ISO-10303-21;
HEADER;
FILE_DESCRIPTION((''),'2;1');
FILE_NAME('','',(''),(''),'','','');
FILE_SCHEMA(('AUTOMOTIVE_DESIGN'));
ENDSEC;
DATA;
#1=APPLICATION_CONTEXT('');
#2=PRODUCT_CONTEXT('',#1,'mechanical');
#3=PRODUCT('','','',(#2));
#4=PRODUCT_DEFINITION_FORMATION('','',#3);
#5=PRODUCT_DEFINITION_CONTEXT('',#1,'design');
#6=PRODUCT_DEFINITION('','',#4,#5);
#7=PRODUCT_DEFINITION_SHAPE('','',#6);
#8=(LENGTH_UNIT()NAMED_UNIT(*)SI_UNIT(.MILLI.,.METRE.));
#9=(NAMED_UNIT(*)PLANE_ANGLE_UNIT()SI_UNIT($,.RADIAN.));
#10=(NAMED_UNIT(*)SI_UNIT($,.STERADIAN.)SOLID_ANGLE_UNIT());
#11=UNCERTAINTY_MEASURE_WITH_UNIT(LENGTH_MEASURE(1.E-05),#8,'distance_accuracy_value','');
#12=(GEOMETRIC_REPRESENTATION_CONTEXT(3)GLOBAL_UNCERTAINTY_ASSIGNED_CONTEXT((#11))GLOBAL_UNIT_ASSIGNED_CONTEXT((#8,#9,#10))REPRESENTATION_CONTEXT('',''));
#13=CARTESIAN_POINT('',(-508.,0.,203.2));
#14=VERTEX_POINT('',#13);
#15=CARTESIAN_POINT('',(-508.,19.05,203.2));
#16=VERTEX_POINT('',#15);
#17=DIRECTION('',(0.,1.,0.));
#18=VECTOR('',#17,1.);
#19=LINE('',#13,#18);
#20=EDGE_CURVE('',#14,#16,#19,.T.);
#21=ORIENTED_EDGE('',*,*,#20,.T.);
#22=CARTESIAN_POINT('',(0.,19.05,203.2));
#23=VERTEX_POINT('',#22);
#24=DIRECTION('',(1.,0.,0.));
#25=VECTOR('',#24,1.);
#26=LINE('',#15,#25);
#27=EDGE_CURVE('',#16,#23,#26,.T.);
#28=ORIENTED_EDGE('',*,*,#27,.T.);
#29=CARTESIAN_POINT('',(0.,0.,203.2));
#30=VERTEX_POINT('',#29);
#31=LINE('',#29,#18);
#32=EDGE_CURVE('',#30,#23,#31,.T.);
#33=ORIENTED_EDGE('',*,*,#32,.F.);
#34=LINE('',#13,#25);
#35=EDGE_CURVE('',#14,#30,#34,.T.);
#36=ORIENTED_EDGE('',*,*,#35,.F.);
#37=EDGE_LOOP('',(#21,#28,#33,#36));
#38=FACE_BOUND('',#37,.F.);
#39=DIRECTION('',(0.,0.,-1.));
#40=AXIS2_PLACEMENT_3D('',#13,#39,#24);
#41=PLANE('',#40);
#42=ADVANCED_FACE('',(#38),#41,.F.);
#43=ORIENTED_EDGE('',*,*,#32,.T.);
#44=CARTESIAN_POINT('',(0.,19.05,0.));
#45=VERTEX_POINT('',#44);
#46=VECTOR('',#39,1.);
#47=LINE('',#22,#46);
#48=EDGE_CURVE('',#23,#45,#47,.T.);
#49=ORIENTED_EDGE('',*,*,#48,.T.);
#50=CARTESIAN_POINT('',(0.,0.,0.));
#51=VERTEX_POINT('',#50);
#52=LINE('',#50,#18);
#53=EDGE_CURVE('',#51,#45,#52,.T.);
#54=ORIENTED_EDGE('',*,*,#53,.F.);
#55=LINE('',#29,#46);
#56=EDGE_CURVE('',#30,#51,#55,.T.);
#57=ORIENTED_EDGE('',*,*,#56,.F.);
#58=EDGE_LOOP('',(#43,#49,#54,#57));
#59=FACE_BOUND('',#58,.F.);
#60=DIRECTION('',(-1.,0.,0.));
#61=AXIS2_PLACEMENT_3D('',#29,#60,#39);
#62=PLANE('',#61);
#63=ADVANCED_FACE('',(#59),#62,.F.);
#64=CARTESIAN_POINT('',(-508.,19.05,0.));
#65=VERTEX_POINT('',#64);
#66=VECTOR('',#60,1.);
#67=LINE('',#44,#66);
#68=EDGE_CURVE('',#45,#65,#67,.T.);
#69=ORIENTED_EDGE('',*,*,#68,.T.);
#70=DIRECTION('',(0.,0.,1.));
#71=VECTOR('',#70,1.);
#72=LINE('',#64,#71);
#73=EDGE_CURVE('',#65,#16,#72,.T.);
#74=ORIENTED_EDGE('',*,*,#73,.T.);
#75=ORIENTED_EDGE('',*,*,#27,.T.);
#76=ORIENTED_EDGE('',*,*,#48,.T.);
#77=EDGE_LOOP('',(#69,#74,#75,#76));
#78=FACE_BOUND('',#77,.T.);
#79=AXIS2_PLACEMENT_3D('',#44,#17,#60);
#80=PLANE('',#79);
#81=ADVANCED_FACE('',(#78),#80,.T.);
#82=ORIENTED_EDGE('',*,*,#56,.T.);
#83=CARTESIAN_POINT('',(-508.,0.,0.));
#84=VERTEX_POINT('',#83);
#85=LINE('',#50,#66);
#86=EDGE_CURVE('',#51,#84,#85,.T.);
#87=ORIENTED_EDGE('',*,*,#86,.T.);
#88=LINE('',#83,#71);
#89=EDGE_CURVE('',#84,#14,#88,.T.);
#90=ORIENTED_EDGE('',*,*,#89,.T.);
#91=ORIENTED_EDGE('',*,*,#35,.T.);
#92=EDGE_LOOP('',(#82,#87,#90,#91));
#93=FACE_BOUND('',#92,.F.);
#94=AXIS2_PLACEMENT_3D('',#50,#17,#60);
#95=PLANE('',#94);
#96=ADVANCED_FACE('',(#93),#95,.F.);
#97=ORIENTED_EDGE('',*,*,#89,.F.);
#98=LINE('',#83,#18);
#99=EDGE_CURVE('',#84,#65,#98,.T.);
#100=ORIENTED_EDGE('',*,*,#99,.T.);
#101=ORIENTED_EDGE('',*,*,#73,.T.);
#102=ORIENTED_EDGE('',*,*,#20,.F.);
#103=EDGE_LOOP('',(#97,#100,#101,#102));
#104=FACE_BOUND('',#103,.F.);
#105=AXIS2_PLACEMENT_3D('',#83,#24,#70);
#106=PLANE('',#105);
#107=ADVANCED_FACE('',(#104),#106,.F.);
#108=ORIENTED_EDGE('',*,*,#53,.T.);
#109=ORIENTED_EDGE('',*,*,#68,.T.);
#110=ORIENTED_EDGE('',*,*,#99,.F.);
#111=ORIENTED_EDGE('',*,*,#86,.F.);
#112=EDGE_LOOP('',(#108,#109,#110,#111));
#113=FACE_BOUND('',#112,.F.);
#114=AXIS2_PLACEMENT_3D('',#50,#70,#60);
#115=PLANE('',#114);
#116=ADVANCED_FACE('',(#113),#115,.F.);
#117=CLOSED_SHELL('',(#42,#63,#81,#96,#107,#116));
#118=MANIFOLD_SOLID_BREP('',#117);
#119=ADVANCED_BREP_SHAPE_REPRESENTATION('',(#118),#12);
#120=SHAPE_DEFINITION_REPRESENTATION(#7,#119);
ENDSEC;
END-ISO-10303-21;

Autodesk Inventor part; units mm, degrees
ref_plane "YZ Plane" through (0, 0, 0) normal (1, 0, 0) x (0, 1, 0)
ref_plane "XZ Plane" through (0, 0, 0) normal (0, 1, 0) x (-1, 0, 0)
ref_plane "XY Plane" through (0, 0, 0) normal (0, 0, 1) x (1, 0, 0)
sketch "Sketch1" plane through (0, 0, 0) normal (0, 1, 0) x (-1, 0, 0)
  line L0 (0, 0) -> (508, 0)
  line L1 (508, 0) -> (508, 203.2)
  line L2 (508, 203.2) -> (0, 203.2)
  line L3 (0, 203.2) -> (0, 0)
  dimension "d0" = 508
  dimension "d1" = 203.2
extrude "Extrusion1" add sketch "Sketch1" along normal blind 19.05
properties part number "H7bf" material "Wood (Cherry)"
